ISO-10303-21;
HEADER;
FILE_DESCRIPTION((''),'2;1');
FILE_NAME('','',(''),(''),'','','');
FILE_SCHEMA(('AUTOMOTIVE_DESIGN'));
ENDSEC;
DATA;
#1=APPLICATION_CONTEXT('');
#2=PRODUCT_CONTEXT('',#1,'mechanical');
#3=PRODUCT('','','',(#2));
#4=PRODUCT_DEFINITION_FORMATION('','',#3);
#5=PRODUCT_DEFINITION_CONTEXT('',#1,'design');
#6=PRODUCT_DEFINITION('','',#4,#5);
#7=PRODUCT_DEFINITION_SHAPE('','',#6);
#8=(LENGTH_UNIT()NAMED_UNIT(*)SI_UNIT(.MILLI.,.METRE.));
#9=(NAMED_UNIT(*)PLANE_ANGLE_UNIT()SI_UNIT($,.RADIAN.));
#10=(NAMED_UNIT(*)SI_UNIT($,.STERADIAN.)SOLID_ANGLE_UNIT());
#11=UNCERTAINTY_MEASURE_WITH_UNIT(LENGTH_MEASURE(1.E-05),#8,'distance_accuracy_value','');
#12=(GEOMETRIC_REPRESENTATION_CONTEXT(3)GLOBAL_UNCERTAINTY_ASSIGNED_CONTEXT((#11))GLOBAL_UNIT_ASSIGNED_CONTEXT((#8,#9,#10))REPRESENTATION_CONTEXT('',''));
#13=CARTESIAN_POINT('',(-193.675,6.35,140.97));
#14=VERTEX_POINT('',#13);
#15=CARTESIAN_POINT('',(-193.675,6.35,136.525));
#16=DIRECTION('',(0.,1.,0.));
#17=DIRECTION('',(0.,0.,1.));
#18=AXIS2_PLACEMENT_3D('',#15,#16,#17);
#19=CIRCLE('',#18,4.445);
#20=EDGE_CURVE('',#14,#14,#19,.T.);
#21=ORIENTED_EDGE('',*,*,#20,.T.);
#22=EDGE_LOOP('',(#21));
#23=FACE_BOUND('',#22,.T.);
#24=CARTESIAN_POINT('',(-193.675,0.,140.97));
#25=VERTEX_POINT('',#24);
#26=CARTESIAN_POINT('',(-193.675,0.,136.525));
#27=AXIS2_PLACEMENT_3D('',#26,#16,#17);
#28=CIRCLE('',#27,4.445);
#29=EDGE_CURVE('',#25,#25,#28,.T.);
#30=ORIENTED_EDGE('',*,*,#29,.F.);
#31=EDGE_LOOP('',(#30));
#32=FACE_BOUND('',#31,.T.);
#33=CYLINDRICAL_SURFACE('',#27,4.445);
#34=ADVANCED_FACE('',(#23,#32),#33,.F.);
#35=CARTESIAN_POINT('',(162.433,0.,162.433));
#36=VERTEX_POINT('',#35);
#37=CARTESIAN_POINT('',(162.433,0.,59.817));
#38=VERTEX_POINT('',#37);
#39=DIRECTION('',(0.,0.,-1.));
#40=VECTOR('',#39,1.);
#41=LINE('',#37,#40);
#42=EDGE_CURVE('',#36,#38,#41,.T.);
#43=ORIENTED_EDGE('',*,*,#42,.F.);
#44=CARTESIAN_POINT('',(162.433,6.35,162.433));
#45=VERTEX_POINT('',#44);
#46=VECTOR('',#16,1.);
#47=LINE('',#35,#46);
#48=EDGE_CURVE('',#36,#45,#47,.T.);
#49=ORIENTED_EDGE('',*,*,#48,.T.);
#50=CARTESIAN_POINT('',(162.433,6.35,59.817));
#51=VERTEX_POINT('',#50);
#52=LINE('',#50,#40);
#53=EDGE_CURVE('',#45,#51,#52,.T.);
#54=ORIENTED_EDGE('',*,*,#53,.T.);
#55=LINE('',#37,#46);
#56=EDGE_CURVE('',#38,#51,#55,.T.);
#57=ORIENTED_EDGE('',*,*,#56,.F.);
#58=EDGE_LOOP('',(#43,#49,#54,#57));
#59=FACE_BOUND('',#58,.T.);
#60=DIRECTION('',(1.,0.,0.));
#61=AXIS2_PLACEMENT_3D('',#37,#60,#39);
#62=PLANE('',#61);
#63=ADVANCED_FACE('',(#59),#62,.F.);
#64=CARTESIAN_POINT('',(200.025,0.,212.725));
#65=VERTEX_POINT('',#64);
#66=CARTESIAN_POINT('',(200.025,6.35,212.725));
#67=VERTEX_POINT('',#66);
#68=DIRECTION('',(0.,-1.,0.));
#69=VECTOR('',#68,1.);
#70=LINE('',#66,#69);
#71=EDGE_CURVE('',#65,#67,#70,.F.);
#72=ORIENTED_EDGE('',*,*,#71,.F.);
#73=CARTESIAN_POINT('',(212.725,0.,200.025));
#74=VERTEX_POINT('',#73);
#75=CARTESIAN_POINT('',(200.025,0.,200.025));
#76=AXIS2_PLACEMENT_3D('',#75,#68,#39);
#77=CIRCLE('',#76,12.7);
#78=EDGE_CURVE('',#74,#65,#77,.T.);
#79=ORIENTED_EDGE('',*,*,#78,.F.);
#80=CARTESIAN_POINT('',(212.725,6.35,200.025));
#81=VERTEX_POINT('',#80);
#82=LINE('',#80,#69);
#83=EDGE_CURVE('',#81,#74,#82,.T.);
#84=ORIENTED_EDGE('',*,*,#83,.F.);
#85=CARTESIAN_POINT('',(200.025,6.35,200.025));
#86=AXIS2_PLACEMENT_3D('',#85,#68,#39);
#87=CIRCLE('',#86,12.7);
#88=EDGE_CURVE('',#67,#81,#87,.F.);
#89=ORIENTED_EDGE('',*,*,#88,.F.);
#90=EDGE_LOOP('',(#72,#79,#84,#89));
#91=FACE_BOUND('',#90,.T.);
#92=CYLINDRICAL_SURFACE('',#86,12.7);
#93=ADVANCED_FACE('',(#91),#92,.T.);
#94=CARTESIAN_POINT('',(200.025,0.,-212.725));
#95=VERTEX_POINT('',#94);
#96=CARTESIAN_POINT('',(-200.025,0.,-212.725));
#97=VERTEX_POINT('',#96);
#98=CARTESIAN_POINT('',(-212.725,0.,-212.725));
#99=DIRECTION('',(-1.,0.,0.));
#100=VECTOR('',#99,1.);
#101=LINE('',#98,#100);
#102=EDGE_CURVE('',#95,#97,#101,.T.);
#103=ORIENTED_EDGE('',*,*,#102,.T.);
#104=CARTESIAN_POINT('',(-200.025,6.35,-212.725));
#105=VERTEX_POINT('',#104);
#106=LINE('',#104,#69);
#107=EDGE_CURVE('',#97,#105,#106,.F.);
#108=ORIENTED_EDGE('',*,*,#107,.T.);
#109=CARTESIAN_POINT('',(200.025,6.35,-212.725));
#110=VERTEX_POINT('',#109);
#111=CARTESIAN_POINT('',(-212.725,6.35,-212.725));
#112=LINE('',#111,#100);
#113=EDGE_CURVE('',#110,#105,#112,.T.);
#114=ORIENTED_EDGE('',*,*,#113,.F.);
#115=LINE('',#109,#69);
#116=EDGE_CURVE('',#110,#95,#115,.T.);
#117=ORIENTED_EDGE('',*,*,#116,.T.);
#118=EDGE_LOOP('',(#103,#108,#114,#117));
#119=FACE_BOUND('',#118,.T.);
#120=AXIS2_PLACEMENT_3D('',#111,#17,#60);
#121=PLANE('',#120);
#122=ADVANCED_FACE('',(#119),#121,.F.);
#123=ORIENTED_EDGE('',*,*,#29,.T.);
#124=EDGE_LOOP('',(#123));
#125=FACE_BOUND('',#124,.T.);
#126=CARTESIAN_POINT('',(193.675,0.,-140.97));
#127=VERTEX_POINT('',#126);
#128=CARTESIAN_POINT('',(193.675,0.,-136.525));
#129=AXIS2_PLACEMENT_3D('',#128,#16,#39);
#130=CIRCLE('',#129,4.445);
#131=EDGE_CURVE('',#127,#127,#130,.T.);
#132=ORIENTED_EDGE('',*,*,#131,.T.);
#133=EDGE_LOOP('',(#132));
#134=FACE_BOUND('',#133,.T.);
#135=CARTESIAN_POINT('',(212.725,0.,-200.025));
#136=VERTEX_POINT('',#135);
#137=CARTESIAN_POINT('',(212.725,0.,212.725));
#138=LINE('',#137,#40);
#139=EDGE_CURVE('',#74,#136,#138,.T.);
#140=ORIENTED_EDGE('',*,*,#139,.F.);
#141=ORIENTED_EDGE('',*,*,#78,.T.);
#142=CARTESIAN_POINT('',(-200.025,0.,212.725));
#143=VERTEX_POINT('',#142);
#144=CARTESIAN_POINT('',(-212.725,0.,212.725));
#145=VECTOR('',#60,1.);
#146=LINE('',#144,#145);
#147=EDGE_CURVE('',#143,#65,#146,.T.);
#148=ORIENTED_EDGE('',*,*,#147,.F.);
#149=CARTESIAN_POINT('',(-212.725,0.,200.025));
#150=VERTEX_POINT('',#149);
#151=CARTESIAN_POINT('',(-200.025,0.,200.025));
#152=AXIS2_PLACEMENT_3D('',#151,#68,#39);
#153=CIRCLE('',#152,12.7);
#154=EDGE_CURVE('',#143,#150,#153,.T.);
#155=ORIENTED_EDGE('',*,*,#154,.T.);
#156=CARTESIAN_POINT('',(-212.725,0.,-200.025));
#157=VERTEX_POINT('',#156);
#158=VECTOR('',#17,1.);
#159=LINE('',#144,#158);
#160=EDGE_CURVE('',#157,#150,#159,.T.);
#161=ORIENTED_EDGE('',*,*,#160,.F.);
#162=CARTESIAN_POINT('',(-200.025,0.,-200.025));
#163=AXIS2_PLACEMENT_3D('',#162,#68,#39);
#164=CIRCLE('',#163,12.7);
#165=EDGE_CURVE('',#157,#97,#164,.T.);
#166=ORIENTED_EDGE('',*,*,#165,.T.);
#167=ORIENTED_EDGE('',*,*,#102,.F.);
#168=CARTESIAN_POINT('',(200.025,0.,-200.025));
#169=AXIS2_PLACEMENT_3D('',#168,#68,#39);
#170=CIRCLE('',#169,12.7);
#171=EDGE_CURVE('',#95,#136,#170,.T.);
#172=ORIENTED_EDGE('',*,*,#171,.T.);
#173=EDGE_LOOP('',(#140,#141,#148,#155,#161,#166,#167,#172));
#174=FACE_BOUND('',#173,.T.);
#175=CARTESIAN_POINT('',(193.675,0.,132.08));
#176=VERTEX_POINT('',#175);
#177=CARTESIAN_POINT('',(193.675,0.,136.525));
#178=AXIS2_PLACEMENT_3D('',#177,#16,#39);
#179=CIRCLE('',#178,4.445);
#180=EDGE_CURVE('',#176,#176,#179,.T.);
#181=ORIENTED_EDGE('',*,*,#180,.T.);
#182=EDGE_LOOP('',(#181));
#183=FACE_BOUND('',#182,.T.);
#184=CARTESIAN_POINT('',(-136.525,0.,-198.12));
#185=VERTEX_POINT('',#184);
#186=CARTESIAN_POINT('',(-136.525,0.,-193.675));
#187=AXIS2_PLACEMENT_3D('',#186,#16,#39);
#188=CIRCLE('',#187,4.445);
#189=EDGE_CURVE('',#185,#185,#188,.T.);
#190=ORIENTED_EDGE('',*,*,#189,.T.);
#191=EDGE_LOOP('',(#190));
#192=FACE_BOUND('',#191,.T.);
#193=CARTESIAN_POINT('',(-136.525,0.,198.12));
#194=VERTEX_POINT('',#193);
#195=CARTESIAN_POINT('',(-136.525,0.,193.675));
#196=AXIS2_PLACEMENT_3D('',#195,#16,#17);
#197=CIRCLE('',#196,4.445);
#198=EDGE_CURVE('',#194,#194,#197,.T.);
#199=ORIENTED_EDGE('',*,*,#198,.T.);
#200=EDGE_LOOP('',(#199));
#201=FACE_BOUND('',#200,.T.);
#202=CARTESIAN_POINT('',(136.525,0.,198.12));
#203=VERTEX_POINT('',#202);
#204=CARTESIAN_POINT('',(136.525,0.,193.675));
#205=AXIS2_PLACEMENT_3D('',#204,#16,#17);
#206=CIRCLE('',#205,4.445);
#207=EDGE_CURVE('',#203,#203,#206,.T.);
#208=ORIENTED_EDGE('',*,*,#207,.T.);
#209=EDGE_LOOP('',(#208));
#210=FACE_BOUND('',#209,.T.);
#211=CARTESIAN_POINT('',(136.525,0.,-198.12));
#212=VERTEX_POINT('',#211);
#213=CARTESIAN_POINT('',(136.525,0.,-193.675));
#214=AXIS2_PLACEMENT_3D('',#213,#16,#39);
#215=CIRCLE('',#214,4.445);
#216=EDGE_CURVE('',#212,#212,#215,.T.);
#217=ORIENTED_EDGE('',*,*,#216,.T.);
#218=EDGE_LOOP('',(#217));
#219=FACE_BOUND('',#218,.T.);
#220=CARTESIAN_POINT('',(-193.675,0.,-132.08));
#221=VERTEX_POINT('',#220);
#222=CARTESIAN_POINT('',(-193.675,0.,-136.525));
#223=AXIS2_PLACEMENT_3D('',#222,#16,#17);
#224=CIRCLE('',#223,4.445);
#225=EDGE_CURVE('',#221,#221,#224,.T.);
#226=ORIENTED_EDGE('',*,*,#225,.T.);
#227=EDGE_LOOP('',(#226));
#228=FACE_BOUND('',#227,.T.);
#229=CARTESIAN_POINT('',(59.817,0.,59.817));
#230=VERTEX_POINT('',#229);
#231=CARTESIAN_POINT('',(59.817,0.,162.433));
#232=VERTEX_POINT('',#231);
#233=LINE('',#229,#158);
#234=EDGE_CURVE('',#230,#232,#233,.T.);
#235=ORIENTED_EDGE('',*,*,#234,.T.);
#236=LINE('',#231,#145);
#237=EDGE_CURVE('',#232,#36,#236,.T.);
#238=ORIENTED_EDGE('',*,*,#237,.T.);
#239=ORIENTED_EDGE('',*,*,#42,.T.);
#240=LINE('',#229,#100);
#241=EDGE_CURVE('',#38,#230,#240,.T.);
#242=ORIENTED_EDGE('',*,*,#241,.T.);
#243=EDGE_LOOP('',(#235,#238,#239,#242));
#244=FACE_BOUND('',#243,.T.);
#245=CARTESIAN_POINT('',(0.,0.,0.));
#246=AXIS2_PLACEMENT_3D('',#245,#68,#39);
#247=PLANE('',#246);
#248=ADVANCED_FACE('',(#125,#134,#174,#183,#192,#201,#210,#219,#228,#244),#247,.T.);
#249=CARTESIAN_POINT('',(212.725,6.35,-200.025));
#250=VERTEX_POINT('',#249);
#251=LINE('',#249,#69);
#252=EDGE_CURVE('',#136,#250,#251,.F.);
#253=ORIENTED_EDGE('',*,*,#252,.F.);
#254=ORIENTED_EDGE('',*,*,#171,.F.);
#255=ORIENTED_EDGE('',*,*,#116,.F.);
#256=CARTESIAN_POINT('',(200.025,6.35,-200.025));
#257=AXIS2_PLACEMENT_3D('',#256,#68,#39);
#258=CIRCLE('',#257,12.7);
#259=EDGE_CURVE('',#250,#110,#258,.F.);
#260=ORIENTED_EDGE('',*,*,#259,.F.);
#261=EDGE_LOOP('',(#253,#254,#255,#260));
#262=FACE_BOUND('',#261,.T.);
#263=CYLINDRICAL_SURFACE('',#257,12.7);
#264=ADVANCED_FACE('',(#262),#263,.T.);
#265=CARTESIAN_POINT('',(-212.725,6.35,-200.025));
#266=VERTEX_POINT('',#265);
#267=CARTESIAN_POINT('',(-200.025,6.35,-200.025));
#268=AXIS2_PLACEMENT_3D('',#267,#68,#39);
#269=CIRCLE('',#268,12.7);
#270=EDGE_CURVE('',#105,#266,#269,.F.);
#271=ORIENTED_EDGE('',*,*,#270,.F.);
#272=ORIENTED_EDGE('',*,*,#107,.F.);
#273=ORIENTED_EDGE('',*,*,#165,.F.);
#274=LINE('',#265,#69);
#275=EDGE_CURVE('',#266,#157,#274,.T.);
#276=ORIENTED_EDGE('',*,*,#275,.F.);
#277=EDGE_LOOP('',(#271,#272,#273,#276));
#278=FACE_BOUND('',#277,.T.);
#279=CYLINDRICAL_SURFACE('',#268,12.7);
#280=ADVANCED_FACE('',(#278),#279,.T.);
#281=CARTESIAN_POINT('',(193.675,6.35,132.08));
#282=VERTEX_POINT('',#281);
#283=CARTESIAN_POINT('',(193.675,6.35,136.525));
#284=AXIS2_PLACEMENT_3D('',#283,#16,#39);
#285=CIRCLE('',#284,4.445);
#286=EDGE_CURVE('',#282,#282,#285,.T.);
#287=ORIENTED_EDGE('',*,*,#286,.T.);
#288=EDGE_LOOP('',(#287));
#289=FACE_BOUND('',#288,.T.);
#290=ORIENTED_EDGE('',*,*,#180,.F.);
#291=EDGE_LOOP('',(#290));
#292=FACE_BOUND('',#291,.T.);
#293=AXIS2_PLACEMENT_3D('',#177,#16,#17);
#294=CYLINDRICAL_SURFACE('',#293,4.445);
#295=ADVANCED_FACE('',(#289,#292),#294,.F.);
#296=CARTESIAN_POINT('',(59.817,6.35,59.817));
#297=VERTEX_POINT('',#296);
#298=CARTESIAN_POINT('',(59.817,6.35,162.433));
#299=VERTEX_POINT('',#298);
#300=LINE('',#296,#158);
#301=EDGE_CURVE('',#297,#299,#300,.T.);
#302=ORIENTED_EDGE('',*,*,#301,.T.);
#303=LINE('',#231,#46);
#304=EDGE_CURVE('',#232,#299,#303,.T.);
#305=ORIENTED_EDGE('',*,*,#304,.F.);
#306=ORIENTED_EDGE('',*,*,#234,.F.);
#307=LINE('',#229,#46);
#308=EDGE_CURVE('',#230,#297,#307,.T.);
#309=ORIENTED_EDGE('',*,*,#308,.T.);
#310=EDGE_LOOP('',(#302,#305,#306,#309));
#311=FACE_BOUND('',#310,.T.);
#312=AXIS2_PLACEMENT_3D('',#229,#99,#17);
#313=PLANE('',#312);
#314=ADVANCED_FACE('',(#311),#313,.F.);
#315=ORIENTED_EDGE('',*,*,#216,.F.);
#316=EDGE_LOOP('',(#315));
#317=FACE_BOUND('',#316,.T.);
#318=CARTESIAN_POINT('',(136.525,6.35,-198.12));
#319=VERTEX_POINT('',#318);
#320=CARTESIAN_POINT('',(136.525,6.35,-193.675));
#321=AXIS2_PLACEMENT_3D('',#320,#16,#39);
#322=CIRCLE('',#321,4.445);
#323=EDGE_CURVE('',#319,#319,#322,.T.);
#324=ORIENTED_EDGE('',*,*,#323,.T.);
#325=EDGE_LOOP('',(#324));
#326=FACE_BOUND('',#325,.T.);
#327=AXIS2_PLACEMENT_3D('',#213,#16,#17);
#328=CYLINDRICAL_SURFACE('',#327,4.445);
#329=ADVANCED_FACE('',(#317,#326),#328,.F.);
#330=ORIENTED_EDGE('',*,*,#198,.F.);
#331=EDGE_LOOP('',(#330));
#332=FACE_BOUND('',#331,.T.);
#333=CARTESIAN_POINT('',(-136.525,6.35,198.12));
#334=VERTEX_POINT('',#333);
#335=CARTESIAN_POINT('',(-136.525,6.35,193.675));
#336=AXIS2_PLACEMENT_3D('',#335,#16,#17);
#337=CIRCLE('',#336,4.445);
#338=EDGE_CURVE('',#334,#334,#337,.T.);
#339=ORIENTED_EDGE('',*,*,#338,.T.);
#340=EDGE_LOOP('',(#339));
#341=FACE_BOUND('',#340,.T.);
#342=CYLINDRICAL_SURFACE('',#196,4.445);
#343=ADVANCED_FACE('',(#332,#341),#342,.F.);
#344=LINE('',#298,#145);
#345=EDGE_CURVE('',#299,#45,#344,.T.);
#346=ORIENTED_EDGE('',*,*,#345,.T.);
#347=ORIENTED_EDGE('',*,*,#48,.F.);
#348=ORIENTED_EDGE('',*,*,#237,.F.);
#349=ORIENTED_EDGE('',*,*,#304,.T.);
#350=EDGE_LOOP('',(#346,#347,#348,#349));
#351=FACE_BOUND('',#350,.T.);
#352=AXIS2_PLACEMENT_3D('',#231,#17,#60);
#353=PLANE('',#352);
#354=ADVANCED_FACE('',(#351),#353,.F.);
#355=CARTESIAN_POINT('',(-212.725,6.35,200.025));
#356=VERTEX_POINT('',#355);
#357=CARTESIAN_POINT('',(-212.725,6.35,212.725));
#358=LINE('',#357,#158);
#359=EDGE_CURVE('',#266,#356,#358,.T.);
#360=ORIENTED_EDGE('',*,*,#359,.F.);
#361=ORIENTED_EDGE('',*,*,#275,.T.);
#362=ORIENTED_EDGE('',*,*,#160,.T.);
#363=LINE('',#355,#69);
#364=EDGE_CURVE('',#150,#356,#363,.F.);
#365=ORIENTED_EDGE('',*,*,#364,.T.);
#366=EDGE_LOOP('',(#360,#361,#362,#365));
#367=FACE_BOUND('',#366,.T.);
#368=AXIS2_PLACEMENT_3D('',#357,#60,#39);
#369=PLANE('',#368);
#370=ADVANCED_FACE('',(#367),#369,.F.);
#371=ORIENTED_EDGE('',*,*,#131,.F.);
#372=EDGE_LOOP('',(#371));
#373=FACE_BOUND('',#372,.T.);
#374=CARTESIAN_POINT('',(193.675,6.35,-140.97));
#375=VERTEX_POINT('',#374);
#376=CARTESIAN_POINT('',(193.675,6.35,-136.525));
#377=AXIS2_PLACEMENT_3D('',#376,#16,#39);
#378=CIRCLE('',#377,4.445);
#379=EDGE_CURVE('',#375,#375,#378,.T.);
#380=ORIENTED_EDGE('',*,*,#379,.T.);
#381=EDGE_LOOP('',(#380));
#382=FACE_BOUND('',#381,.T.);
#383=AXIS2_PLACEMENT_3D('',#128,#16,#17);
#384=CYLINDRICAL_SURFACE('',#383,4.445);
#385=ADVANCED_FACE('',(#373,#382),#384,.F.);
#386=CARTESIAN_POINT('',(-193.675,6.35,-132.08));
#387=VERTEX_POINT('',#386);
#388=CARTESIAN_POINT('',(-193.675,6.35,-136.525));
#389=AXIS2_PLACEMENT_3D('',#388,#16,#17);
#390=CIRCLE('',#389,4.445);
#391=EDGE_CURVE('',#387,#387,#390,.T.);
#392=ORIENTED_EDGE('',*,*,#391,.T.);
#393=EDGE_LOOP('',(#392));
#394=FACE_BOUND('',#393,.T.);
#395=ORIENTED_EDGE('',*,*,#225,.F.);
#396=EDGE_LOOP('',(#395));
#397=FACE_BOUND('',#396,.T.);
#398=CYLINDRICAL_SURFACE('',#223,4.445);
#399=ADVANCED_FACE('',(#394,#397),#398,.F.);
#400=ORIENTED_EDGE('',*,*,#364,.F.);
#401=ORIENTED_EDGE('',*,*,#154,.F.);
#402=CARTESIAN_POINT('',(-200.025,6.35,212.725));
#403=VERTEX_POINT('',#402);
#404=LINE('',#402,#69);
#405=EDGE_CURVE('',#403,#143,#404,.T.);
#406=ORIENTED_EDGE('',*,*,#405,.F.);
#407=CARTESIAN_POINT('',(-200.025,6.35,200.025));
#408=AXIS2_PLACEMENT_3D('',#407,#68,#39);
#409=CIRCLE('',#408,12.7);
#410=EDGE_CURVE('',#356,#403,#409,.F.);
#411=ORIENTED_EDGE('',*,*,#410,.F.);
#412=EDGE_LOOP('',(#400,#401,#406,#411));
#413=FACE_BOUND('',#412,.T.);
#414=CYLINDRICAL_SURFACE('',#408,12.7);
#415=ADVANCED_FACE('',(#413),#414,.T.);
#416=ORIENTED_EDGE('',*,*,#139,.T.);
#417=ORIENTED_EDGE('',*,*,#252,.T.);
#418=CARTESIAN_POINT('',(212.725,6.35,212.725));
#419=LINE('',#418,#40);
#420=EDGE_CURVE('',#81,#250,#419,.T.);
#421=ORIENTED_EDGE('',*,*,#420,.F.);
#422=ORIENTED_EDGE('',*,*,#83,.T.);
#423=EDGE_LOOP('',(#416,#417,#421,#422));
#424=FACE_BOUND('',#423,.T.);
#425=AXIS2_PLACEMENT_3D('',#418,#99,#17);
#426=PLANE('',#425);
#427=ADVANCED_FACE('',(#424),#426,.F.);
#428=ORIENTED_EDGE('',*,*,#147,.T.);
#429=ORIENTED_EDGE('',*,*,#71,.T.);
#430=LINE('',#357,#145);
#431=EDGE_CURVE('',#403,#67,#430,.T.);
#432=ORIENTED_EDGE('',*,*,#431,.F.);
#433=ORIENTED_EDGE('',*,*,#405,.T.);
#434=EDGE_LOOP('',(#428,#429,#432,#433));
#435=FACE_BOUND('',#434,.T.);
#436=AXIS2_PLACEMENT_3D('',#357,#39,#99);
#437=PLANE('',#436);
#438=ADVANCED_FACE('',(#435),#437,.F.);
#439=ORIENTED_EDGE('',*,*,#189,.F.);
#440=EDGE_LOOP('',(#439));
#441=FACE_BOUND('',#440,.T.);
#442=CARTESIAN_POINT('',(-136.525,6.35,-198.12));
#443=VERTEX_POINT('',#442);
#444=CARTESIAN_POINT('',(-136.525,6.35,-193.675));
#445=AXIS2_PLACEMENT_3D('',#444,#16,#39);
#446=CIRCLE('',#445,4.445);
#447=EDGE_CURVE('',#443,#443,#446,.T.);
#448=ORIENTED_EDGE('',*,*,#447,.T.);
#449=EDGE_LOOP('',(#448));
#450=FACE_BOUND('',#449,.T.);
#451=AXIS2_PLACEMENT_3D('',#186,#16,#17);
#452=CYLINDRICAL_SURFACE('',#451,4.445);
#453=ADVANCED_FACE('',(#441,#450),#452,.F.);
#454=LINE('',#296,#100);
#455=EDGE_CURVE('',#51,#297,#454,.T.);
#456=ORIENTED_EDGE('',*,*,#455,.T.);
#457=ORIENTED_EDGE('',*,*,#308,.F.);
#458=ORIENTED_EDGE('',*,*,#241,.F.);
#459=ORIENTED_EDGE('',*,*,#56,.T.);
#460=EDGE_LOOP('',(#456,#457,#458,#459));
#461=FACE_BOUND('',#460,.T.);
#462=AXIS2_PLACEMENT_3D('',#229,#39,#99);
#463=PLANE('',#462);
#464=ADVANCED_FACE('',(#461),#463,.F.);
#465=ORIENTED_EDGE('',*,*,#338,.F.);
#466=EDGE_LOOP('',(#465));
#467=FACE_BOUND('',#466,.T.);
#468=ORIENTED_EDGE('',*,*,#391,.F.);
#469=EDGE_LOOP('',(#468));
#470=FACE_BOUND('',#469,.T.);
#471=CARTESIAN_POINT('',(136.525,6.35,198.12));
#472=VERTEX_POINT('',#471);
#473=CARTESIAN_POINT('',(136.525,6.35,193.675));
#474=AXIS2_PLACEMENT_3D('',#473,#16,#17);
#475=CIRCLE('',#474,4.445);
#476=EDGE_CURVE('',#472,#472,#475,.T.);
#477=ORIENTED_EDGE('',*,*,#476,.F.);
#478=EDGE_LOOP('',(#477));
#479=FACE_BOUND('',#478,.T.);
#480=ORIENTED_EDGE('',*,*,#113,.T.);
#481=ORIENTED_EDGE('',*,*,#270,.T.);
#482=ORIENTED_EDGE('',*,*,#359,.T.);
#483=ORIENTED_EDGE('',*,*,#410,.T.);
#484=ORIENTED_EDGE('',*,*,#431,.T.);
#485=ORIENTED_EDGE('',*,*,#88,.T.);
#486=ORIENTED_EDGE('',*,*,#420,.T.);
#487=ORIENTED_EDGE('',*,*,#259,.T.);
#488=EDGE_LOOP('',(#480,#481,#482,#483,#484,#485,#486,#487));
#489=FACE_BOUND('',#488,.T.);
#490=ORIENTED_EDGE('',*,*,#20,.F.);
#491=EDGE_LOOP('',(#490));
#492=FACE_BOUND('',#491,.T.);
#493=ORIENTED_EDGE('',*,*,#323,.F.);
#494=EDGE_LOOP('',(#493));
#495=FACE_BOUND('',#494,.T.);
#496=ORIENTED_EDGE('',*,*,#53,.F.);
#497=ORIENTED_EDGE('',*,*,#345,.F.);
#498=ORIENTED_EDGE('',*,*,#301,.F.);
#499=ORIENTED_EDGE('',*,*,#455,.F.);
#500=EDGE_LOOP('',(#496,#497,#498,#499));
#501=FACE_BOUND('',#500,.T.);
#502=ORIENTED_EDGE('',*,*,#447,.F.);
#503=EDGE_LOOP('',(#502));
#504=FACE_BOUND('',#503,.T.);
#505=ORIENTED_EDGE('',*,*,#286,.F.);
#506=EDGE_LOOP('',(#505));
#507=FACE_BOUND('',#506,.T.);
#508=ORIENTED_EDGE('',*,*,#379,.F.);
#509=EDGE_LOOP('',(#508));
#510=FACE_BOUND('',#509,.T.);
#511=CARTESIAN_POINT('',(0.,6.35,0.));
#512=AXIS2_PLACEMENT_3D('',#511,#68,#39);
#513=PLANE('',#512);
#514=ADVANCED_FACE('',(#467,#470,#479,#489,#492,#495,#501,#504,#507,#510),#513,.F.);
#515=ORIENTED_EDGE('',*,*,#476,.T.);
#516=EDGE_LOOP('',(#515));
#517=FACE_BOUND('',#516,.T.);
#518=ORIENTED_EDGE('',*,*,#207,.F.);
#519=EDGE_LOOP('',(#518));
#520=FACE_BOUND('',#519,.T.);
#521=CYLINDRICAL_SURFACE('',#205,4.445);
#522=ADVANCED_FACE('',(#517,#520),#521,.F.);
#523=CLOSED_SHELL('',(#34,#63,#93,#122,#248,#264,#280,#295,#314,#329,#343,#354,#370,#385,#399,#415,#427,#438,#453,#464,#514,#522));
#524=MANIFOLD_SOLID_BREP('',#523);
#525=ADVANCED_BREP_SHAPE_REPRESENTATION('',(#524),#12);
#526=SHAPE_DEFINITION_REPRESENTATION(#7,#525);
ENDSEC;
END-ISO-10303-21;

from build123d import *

# Parameters (mm, degrees)
SKETCH1_W           = 425.45
SKETCH1_H           = 425.45
BOSS_EXTRUDE1_DEPTH = 6.35
SKETCH4_R           = 4.445
CUT_EXTRUDE2_DEPTH  = 301.90558943
SKETCH5_W           = 102.616
SKETCH5_H           = 102.616
CUT_EXTRUDE3_DEPTH  = 301.90558943
FILLET1_R           = 12.7


with BuildPart() as part:
    # Sketch1 → Boss-Extrude1 (new body)
    with BuildSketch(Plane(origin=(0, 0, 0), x_dir=(1, 0, 0), z_dir=(0, 1, 0))):
        Rectangle(SKETCH1_W, SKETCH1_H)
    extrude(amount=BOSS_EXTRUDE1_DEPTH)

    # Sketch4 → Cut-Extrude2 (cut, through all)
    with BuildSketch(Plane(origin=(0, 6.35, 0), x_dir=(1, 0, 0), z_dir=(0, 1, 0))):
        with Locations(Location((-193.675, 136.525, 0), (0, 0, 270))):
            Circle(SKETCH4_R)
        with Locations(Location((-193.675, -136.525, 0), (0, 0, 270))):
            Circle(SKETCH4_R)
        with Locations(Location((-136.525, -193.675, 0), (0, 0, 270))):
            Circle(SKETCH4_R)
        with Locations(Location((136.525, -193.675, 0), (0, 0, 270))):
            Circle(SKETCH4_R)
        with Locations(Location((193.675, -136.525, 0), (0, 0, 90))):
            Circle(SKETCH4_R)
        with Locations(Location((193.675, 136.525, 0), (0, 0, 90))):
            Circle(SKETCH4_R)
        with Locations(Location((136.525, 193.675, 0), (0, 0, 90))):
            Circle(SKETCH4_R)
        with Locations(Location((-136.525, 193.675, 0), (0, 0, 90))):
            Circle(SKETCH4_R)
    extrude(amount=-CUT_EXTRUDE2_DEPTH, mode=Mode.SUBTRACT)

    # Sketch5 → Cut-Extrude3 (cut, through all)
    with BuildSketch(Plane(origin=(0, 6.35, 0), x_dir=(1, 0, 0), z_dir=(0, 1, 0))):
        with Locations((111.125, -111.125)):
            Rectangle(SKETCH5_W, SKETCH5_H)
    extrude(amount=-CUT_EXTRUDE3_DEPTH, mode=Mode.SUBTRACT)

    # Fillet1
    fillet1_edges = [part.edges().sort_by_distance(p)[0] for p in [
        (212.725, 3.175, 212.725),
        (-212.725, 3.175, 212.725),
        (-212.725, 3.175, -212.725),
        (212.725, 3.175, -212.725),
    ]]
    fillet(fillet1_edges, radius=FILLET1_R)


solid = part.part
